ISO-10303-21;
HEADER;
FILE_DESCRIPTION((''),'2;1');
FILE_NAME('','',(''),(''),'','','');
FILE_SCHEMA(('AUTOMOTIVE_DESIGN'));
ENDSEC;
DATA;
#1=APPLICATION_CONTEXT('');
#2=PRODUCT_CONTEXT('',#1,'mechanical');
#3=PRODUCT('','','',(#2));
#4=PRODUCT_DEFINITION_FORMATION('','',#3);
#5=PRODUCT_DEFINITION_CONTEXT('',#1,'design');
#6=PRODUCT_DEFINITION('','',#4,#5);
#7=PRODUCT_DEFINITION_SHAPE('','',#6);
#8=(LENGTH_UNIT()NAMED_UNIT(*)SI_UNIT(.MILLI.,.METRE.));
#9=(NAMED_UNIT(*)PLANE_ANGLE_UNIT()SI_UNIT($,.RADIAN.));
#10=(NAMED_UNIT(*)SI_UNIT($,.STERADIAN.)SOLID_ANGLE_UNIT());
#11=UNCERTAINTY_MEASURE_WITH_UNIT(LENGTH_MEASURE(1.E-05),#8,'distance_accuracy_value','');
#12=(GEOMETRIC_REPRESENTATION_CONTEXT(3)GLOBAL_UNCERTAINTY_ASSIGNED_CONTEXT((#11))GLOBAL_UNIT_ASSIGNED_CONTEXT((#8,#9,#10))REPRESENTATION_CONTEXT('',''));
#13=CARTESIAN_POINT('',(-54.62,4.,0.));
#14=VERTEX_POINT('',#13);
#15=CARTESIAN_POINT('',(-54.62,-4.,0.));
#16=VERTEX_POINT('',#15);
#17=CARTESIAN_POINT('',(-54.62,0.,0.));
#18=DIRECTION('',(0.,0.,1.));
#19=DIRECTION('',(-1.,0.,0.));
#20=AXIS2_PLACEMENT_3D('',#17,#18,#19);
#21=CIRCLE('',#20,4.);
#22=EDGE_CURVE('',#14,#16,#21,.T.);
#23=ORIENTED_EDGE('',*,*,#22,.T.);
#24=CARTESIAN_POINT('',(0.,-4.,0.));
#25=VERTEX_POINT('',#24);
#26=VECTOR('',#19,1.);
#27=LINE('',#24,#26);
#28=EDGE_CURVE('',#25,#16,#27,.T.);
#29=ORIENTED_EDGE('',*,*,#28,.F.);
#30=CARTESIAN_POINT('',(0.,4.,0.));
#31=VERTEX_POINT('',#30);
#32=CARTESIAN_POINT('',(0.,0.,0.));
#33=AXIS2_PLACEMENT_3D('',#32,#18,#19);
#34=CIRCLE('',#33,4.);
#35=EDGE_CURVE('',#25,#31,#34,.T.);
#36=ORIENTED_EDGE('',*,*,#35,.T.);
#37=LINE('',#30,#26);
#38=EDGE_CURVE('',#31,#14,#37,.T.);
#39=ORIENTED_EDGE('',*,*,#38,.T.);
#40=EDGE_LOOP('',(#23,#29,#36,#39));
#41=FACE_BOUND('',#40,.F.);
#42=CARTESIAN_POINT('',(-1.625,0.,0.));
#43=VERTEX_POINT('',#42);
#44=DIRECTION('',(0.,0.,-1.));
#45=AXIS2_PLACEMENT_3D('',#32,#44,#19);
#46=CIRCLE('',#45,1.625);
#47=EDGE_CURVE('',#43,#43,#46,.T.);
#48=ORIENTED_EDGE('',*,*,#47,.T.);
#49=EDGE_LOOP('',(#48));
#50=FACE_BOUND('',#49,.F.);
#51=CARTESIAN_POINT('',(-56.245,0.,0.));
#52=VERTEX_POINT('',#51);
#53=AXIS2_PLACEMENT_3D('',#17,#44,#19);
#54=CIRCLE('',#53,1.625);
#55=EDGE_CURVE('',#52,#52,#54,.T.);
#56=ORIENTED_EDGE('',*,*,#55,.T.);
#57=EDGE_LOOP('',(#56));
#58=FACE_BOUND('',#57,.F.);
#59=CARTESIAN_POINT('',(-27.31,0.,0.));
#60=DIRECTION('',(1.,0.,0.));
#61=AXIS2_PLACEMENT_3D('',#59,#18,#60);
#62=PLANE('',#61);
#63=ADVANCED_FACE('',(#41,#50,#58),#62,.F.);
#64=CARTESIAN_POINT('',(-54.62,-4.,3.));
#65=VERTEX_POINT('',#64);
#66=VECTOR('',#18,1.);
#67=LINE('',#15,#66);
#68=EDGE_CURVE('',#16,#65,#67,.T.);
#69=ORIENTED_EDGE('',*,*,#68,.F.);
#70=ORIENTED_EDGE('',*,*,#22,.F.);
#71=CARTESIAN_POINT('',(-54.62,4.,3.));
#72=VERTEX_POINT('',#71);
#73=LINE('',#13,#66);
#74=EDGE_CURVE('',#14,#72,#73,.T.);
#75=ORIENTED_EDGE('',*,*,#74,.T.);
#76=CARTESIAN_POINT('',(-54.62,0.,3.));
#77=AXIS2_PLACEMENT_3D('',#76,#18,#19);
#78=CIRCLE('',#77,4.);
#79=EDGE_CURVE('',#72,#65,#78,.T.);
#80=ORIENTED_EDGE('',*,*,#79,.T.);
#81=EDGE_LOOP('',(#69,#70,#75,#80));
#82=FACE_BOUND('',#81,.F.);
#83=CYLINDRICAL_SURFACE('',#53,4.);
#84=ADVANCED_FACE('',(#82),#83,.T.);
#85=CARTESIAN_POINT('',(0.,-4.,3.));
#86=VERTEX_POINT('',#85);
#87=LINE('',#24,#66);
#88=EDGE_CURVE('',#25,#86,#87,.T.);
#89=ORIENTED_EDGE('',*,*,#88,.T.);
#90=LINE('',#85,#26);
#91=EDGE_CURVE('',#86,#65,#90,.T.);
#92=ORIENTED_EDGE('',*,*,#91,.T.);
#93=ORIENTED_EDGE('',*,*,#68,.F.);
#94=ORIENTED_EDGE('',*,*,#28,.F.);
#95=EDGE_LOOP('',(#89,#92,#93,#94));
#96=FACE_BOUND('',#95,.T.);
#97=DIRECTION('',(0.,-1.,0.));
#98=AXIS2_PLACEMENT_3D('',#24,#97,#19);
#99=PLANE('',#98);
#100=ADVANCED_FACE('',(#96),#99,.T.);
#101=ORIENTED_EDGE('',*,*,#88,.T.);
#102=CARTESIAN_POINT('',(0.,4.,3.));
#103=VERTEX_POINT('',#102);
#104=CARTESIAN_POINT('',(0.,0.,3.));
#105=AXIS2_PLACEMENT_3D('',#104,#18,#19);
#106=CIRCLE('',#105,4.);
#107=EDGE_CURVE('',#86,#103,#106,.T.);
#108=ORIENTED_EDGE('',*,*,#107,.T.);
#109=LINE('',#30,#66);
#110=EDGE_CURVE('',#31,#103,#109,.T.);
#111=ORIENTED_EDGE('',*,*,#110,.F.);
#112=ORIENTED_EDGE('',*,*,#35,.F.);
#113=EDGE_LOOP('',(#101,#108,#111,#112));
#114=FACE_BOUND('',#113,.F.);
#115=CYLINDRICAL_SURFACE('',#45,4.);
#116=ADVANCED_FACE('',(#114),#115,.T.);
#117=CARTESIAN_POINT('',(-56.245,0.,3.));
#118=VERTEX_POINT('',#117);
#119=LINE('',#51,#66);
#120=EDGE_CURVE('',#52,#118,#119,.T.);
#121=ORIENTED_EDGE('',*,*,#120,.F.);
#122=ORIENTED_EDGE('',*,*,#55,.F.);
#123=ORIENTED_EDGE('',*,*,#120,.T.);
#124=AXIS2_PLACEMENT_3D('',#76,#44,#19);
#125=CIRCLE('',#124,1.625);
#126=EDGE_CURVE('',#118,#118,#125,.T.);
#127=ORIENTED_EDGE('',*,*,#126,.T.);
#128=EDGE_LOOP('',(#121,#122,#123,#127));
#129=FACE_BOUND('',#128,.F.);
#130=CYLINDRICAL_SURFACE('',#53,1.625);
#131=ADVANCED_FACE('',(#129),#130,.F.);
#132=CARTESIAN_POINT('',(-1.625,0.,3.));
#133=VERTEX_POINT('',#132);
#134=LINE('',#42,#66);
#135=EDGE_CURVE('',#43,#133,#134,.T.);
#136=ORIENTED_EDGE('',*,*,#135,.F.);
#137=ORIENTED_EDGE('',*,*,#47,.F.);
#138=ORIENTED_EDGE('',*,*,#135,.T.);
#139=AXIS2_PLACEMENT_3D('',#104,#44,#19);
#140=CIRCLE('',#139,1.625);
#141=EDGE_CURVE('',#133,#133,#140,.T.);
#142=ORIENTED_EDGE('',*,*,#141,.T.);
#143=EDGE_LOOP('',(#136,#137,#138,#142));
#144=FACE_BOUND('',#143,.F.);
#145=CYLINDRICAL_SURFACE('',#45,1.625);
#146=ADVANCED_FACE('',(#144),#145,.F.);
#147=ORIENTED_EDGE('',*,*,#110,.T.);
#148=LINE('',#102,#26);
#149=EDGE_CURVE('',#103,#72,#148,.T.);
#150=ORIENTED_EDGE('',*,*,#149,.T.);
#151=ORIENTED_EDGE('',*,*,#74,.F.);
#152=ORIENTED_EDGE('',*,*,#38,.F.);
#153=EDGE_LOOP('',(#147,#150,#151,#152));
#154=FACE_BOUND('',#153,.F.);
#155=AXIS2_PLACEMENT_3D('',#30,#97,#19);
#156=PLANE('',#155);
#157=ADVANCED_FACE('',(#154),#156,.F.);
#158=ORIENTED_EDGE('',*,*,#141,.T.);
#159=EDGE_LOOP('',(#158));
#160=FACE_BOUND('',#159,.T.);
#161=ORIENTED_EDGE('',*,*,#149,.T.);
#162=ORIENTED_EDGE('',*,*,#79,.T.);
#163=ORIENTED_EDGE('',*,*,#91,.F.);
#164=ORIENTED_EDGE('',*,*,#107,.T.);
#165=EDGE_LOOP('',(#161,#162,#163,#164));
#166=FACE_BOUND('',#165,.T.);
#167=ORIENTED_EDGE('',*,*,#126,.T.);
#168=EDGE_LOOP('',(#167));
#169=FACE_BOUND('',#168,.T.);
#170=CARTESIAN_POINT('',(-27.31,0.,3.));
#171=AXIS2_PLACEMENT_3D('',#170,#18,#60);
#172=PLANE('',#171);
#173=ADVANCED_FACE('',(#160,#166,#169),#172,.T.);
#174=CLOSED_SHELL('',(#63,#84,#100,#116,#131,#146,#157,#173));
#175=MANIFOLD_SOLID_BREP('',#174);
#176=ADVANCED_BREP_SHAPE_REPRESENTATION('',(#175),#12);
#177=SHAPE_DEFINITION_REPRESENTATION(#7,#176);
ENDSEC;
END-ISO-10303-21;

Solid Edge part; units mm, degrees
sketch "Sketch1" plane through (0, 0, 0) normal (0, 0, -1) x (-1, 0, 0)
  circle A0 centre (0, 0) radius 1.625
  circle A1 centre (54.62, 0) radius 1.625
  line L0 (0, 4) -> (54.62, 4)
  line L1 (0, -4) -> (54.62, -4)
  arc A2 (0, -4) -> (0, 4) centre (0, 0) cw
  arc A3 (54.62, 4) -> (54.62, -4) centre (54.62, 0) cw
extrude "Protrusion1" add sketch "Sketch1" against normal blind 3
